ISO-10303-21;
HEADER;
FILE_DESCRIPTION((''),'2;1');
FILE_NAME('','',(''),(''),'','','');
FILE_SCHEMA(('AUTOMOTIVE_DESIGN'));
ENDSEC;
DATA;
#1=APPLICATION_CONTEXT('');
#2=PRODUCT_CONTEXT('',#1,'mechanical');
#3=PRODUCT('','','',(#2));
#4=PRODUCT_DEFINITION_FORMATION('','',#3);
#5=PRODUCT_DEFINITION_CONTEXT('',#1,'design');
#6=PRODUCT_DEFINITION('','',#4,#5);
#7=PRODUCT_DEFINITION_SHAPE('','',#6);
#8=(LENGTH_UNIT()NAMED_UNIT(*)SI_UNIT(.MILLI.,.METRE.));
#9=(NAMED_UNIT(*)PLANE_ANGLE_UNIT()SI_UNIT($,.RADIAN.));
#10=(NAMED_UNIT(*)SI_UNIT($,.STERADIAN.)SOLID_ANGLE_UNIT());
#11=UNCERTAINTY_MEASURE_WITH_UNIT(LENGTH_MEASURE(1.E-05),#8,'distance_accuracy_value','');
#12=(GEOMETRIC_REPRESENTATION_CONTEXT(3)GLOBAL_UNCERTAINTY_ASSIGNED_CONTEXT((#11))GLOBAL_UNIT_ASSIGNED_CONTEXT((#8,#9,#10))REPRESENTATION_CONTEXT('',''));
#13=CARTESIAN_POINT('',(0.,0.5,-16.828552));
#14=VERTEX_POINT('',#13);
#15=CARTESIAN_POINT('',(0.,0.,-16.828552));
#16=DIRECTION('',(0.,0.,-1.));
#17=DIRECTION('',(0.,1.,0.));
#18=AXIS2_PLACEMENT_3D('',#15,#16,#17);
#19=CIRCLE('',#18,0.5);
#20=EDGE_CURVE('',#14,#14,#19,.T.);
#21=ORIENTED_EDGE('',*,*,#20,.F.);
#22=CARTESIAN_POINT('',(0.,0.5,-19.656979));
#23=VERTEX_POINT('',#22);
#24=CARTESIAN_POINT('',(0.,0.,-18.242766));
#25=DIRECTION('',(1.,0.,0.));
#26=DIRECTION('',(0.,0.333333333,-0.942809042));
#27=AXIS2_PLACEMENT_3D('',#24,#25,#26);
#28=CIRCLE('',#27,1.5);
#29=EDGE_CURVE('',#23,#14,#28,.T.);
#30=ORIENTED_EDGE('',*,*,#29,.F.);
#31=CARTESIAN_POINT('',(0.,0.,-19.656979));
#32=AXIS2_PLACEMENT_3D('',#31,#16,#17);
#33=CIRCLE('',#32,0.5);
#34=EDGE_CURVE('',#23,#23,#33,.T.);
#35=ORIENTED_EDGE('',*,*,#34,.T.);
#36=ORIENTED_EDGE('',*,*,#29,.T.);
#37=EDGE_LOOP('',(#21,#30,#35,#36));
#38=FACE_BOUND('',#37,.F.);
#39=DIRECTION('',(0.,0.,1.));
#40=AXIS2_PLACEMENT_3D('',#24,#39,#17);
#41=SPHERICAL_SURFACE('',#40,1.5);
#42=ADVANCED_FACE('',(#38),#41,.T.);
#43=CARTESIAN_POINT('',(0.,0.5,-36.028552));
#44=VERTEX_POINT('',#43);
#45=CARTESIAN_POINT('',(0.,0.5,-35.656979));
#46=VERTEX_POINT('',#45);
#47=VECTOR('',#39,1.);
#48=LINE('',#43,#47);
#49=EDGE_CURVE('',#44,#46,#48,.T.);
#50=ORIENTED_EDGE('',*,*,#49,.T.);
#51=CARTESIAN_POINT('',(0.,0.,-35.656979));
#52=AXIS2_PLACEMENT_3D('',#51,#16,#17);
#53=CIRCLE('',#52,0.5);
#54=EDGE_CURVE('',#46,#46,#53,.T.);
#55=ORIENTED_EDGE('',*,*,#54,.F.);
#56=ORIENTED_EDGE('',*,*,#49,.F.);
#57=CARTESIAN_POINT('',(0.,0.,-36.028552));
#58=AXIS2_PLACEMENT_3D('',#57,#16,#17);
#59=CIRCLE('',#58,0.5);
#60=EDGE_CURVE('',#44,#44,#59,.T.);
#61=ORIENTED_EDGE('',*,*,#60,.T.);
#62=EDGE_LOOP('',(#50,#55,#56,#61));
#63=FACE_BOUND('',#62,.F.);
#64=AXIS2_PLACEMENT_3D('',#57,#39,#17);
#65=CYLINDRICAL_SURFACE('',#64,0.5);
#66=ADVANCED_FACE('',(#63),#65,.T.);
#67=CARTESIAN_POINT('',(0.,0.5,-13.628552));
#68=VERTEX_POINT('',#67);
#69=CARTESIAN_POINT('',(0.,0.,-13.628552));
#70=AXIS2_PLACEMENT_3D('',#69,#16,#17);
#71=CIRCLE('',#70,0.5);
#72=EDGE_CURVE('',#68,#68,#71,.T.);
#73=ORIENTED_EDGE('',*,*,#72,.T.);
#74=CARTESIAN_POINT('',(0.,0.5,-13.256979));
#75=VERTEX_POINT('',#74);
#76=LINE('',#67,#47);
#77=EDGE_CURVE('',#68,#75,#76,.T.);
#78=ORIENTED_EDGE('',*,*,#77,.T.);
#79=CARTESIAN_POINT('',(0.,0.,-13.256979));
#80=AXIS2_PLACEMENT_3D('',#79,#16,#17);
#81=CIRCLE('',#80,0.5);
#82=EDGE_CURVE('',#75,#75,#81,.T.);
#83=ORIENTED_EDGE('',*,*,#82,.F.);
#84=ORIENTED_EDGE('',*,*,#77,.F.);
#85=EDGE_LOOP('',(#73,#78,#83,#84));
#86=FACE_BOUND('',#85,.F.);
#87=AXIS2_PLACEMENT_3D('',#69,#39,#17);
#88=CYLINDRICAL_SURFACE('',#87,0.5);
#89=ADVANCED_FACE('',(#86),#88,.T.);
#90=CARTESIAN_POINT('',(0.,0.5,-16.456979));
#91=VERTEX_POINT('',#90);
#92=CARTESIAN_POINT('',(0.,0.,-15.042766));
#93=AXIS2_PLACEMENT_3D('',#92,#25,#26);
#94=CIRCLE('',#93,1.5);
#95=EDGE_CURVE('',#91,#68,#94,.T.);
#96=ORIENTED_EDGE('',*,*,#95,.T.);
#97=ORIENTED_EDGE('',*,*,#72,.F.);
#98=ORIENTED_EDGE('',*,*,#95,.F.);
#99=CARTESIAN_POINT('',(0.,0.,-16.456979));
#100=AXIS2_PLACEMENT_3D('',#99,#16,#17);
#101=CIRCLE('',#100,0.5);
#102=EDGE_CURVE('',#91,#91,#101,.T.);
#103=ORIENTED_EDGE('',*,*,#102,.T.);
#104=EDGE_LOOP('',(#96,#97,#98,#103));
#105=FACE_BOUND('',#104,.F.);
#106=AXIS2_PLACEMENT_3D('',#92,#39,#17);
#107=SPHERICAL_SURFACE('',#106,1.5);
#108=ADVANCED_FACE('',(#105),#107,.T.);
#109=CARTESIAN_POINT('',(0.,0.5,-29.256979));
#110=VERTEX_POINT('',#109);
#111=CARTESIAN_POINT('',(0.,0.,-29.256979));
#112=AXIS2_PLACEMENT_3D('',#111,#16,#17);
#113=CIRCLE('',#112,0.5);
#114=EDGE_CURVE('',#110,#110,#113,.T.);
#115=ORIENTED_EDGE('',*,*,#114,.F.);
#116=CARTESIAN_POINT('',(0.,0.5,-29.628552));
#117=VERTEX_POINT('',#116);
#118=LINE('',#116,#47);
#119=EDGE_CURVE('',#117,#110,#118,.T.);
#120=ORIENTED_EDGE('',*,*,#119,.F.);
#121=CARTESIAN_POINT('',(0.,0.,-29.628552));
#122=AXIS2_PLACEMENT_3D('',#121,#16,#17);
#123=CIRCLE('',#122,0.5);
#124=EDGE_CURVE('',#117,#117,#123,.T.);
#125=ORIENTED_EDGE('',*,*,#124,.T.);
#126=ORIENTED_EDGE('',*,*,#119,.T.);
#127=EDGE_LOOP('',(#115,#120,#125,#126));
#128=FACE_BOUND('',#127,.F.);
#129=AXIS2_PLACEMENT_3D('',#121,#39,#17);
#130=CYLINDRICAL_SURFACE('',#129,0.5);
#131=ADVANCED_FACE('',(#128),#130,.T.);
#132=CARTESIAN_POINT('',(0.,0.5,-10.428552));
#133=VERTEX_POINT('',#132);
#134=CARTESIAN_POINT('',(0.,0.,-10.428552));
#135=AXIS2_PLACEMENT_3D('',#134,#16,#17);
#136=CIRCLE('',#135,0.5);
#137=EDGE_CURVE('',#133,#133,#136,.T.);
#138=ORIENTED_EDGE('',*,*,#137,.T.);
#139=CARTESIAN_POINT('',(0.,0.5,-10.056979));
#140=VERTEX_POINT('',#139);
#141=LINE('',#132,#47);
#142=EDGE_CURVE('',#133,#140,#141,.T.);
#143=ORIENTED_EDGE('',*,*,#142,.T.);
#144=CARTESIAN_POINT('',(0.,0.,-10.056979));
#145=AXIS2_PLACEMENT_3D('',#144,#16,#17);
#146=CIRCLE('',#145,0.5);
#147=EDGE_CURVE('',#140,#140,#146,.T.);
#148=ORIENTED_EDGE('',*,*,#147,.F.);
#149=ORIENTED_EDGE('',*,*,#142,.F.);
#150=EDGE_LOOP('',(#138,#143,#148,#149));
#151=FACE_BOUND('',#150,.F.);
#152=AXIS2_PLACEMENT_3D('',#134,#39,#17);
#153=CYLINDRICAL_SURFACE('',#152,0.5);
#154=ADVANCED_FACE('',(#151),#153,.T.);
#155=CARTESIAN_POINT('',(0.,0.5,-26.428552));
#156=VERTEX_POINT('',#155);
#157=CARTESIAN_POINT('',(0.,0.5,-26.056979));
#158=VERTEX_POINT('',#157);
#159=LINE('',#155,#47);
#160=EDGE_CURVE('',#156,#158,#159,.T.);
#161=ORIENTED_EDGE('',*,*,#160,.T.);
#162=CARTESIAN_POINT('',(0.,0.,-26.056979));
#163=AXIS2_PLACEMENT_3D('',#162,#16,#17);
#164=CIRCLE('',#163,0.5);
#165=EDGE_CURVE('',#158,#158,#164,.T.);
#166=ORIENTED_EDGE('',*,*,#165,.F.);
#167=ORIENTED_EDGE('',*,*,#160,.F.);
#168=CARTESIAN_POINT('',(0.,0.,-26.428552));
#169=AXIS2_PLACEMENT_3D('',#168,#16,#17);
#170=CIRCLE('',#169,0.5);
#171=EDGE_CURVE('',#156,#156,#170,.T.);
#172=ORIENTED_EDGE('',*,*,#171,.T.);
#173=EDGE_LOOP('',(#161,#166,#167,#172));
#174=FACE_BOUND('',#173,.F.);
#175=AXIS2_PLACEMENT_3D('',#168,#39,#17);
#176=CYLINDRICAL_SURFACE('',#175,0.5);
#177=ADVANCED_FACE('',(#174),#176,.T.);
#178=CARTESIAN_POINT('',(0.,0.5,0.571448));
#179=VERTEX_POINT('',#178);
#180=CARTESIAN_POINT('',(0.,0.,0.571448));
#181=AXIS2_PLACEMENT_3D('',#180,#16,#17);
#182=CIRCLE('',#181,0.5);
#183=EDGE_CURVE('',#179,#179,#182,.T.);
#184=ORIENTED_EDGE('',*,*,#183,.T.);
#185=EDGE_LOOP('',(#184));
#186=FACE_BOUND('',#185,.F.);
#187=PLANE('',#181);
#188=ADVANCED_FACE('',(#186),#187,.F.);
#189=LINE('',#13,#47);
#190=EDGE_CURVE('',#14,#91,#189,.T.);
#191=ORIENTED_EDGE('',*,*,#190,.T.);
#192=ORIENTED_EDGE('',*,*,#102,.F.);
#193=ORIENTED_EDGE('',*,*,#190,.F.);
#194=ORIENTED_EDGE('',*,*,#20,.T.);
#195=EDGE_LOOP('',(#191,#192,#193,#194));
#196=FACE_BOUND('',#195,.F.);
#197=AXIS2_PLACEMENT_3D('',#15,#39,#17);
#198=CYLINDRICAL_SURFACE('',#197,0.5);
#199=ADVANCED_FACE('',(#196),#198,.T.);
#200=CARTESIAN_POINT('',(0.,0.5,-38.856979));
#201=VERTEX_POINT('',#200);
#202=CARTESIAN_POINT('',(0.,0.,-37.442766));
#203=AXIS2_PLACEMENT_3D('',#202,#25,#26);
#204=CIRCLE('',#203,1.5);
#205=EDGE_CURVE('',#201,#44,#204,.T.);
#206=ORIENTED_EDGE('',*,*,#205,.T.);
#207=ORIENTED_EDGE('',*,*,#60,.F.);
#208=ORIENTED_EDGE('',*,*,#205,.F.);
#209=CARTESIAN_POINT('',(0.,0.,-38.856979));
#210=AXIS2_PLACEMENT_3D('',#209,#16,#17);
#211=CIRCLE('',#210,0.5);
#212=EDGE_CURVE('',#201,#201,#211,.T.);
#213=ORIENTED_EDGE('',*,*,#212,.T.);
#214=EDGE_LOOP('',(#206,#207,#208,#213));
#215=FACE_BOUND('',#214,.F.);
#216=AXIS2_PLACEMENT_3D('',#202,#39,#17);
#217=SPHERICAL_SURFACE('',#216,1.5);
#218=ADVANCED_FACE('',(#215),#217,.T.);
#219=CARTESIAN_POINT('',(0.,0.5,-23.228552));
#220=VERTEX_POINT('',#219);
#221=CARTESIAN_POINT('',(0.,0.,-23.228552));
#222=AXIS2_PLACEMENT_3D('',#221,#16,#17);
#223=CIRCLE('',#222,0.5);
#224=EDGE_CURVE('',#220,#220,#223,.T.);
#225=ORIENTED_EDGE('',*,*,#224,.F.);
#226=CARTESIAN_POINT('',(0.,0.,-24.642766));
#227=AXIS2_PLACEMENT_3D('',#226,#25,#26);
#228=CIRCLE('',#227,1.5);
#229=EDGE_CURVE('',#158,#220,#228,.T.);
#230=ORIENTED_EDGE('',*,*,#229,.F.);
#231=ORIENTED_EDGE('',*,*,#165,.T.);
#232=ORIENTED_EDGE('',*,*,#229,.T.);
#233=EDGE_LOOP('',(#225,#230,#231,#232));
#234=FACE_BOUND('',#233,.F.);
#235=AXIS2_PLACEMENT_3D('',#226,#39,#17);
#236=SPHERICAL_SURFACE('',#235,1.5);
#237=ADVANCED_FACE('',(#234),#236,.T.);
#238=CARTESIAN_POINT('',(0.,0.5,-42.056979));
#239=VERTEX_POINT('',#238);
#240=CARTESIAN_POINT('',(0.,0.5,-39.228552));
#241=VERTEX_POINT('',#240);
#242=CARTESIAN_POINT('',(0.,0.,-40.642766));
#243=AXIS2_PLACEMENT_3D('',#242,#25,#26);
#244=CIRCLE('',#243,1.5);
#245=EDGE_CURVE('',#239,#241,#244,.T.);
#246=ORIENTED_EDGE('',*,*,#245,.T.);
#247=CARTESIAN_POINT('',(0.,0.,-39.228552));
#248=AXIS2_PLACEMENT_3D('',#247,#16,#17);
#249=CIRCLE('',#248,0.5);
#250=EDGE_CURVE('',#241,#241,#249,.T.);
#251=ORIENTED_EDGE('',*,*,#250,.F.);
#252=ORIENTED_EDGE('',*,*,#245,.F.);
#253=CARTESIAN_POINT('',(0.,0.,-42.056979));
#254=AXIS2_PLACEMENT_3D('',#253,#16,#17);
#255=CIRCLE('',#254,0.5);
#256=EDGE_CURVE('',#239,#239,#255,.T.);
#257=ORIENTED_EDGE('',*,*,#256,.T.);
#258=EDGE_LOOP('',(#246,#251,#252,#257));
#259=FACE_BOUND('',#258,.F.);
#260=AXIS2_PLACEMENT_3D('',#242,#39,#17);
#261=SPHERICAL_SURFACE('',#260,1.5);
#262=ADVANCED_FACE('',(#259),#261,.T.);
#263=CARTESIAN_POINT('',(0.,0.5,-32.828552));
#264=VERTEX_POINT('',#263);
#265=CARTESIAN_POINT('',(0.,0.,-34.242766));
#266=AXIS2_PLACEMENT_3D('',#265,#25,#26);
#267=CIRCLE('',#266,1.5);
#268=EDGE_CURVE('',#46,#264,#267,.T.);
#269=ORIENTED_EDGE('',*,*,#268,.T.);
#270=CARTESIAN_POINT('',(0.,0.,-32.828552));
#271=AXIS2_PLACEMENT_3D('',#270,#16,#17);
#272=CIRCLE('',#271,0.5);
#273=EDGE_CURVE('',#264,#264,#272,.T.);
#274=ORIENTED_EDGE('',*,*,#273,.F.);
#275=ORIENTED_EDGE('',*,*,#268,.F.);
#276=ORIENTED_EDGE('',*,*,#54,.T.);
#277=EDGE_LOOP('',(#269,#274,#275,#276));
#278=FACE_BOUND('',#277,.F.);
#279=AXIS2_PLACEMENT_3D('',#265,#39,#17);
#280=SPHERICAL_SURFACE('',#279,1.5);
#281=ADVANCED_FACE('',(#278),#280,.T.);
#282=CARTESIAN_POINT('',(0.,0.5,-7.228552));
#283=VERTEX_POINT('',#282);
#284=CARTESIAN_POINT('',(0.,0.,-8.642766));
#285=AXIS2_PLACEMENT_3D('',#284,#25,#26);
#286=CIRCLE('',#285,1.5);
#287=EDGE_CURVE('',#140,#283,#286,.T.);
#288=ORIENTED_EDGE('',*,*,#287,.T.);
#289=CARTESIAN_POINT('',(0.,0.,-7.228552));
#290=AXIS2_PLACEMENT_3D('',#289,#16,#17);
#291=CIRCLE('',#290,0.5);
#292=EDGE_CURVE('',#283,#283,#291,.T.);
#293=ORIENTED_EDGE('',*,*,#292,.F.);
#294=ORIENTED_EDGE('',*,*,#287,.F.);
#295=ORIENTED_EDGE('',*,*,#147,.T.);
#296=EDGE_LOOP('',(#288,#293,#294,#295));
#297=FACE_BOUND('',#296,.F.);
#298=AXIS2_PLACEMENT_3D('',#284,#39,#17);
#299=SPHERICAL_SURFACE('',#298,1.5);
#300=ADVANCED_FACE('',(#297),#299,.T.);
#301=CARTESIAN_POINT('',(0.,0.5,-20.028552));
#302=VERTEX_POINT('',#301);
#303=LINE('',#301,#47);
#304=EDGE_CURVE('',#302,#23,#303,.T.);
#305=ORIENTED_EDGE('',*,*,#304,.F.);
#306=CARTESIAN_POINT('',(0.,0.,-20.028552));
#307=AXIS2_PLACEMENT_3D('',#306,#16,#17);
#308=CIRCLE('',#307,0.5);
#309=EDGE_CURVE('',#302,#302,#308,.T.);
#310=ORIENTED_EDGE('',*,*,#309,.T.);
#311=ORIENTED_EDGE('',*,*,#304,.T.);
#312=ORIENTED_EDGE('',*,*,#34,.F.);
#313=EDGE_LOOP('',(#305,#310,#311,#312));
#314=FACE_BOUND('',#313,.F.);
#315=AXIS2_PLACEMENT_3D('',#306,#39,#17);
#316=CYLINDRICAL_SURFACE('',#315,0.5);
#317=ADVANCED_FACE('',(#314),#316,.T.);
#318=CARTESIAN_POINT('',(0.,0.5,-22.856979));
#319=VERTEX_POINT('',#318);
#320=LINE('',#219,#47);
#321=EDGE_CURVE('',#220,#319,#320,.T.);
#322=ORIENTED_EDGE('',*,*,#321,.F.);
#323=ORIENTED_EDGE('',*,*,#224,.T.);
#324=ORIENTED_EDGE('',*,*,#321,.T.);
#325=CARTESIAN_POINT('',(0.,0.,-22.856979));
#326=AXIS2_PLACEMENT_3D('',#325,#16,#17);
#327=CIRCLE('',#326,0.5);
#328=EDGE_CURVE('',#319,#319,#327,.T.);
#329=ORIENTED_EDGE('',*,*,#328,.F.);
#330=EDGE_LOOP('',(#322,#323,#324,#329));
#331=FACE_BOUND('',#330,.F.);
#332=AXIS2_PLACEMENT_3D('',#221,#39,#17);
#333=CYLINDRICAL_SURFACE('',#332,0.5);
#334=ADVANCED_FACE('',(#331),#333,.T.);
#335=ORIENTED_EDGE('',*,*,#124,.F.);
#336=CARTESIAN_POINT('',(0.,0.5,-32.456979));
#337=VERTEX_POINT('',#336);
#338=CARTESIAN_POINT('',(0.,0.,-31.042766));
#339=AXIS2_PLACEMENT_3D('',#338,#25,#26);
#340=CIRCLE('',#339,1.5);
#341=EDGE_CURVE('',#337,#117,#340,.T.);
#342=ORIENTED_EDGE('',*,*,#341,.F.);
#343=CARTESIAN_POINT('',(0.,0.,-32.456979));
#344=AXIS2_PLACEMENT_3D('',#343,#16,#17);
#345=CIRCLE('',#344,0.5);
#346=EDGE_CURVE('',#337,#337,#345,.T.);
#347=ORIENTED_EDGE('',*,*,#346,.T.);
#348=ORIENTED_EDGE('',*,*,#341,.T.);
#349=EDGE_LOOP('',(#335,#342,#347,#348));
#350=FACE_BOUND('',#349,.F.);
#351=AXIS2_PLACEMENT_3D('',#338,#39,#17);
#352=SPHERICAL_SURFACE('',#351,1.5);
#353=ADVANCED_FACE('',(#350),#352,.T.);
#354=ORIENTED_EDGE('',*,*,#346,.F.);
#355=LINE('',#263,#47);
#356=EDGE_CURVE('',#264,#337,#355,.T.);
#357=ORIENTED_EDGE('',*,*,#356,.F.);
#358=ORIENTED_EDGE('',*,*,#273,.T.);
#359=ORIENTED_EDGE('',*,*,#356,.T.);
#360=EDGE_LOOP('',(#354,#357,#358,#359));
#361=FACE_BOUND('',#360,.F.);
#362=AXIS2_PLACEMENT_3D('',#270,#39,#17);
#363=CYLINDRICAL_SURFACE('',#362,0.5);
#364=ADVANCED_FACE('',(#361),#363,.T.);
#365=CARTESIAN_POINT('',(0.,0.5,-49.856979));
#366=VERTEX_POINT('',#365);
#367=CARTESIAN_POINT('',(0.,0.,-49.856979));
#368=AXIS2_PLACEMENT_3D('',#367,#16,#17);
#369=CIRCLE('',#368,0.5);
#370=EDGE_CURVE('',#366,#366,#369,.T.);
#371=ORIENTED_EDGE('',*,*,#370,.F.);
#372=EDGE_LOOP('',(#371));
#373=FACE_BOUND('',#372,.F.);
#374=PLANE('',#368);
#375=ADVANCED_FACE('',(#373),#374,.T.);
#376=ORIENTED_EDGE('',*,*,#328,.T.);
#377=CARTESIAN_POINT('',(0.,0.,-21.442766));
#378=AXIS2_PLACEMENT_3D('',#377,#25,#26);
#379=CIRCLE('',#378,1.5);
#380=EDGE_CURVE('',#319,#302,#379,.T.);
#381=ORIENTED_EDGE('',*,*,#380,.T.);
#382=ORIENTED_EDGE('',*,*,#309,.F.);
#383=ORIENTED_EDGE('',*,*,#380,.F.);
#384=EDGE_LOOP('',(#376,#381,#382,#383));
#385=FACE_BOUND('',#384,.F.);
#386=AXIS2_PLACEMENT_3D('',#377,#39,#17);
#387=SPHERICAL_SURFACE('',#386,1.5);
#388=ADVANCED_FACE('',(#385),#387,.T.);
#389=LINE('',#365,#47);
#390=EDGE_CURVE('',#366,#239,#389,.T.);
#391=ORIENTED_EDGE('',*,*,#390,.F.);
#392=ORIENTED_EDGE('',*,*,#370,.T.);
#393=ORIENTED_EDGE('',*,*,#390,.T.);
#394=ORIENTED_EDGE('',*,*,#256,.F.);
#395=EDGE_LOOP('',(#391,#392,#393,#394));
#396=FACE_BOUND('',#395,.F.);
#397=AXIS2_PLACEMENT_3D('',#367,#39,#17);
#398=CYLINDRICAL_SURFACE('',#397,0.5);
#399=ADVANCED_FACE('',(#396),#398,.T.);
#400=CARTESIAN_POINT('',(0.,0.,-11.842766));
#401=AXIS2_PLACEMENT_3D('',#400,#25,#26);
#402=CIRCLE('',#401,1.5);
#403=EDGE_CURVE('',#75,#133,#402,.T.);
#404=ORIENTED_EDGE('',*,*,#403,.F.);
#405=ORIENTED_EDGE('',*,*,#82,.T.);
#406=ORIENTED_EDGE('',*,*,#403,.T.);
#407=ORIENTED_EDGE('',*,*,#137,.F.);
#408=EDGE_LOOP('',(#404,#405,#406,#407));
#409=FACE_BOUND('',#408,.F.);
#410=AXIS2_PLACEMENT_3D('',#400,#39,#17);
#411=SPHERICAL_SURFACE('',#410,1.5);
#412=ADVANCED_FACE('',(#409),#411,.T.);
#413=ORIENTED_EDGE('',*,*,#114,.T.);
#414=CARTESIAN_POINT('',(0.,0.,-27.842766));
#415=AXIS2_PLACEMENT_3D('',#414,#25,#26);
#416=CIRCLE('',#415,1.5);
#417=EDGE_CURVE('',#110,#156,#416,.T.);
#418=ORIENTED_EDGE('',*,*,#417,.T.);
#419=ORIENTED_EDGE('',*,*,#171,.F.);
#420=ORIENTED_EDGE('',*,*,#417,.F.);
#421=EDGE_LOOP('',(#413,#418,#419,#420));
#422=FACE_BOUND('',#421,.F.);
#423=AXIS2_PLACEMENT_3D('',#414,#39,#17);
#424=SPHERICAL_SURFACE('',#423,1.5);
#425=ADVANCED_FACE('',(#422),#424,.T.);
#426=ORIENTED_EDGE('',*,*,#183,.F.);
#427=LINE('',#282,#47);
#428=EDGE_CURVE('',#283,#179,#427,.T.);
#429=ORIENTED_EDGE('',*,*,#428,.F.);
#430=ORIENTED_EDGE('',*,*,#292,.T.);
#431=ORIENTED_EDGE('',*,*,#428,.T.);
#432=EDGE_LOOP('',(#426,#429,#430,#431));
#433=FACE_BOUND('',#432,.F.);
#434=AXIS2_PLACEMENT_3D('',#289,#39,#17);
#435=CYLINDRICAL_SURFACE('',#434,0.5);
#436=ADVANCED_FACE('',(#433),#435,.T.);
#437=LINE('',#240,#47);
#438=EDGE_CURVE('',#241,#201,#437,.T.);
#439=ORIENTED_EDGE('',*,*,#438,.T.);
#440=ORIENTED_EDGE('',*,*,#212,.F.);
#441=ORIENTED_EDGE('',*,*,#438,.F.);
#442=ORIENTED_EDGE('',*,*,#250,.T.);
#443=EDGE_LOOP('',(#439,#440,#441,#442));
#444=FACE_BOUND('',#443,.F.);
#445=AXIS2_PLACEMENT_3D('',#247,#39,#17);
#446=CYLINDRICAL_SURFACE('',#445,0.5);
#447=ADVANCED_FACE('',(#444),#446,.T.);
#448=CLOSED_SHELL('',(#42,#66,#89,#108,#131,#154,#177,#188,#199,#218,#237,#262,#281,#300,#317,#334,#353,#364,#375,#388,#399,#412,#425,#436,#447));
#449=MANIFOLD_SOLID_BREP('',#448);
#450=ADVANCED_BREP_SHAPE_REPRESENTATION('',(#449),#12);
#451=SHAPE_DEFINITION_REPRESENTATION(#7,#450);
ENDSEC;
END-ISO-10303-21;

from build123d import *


with BuildPart() as part:
    # 草图1 one side → 旋转1 (revolve)
    with BuildSketch(Plane(origin=(0, 0, 0), x_dir=(0, 0, -1), z_dir=(1, 0, 0))):
        with BuildLine():
            Line((10.428552104, 0.5), (10.056979229, 0.5))
            ThreePointArc((10.056979229, 0.5), (8.642765666, 1.5), (7.228552104, 0.5))
            Line((7.228552104, 0.5), (-0.571447896, 0.5))
            Line((-0.571447896, 0.5), (-0.571447896, 0))
            Line((-0.571447896, 0), (7.142765666, 0))
            Line((7.142765666, 0), (10.142765666, 0))
            Line((10.142765666, 0), (10.342765666, 0))
            Line((10.342765666, 0), (13.342765666, 0))
            Line((13.342765666, 0), (13.542765666, 0))
            Line((13.542765666, 0), (16.542765666, 0))
            Line((16.542765666, 0), (16.742765666, 0))
            Line((16.742765666, 0), (19.742765666, 0))
            Line((19.742765666, 0), (19.942765666, 0))
            Line((19.942765666, 0), (22.942765666, 0))
            Line((22.942765666, 0), (23.142765666, 0))
            Line((23.142765666, 0), (26.142765666, 0))
            Line((26.142765666, 0), (26.342765666, 0))
            Line((26.342765666, 0), (29.342765666, 0))
            Line((29.342765666, 0), (29.542765666, 0))
            Line((29.542765666, 0), (32.542765666, 0))
            Line((32.542765666, 0), (32.742765666, 0))
            Line((32.742765666, 0), (35.742765666, 0))
            Line((35.742765666, 0), (35.942765666, 0))
            Line((35.942765666, 0), (38.942765666, 0))
            Line((38.942765666, 0), (39.142765666, 0))
            Line((39.142765666, 0), (42.142765666, 0))
            Line((42.142765666, 0), (49.856979229, 0))
            Line((49.856979229, 0), (49.856979229, 0.5))
            Line((49.856979229, 0.5), (42.056979229, 0.5))
            ThreePointArc((42.056979229, 0.5), (40.642765666, 1.5), (39.228552104, 0.5))
            Line((39.228552104, 0.5), (38.856979229, 0.5))
            ThreePointArc((38.856979229, 0.5), (37.442765666, 1.5), (36.028552104, 0.5))
            Line((36.028552104, 0.5), (35.656979229, 0.5))
            ThreePointArc((35.656979229, 0.5), (34.242765666, 1.5), (32.828552104, 0.5))
            Line((32.828552104, 0.5), (32.456979229, 0.5))
            ThreePointArc((32.456979229, 0.5), (31.042765666, 1.5), (29.628552104, 0.5))
            Line((29.628552104, 0.5), (29.256979229, 0.5))
            ThreePointArc((29.256979229, 0.5), (27.842765666, 1.5), (26.428552104, 0.5))
            Line((26.428552104, 0.5), (26.056979229, 0.5))
            ThreePointArc((26.056979229, 0.5), (24.642765666, 1.5), (23.228552104, 0.5))
            Line((23.228552104, 0.5), (22.856979229, 0.5))
            ThreePointArc((22.856979229, 0.5), (21.442765666, 1.5), (20.028552104, 0.5))
            Line((20.028552104, 0.5), (19.656979229, 0.5))
            ThreePointArc((19.656979229, 0.5), (18.242765666, 1.5), (16.828552104, 0.5))
            Line((16.828552104, 0.5), (16.456979229, 0.5))
            ThreePointArc((16.456979229, 0.5), (15.042765666, 1.5), (13.628552104, 0.5))
            Line((13.628552104, 0.5), (13.256979229, 0.5))
            ThreePointArc((13.256979229, 0.5), (11.842765666, 1.5), (10.428552104, 0.5))
        make_face()
    revolve(axis=Axis((0, 0, 0.652504335), (0, 0, -1)))


solid = part.part
